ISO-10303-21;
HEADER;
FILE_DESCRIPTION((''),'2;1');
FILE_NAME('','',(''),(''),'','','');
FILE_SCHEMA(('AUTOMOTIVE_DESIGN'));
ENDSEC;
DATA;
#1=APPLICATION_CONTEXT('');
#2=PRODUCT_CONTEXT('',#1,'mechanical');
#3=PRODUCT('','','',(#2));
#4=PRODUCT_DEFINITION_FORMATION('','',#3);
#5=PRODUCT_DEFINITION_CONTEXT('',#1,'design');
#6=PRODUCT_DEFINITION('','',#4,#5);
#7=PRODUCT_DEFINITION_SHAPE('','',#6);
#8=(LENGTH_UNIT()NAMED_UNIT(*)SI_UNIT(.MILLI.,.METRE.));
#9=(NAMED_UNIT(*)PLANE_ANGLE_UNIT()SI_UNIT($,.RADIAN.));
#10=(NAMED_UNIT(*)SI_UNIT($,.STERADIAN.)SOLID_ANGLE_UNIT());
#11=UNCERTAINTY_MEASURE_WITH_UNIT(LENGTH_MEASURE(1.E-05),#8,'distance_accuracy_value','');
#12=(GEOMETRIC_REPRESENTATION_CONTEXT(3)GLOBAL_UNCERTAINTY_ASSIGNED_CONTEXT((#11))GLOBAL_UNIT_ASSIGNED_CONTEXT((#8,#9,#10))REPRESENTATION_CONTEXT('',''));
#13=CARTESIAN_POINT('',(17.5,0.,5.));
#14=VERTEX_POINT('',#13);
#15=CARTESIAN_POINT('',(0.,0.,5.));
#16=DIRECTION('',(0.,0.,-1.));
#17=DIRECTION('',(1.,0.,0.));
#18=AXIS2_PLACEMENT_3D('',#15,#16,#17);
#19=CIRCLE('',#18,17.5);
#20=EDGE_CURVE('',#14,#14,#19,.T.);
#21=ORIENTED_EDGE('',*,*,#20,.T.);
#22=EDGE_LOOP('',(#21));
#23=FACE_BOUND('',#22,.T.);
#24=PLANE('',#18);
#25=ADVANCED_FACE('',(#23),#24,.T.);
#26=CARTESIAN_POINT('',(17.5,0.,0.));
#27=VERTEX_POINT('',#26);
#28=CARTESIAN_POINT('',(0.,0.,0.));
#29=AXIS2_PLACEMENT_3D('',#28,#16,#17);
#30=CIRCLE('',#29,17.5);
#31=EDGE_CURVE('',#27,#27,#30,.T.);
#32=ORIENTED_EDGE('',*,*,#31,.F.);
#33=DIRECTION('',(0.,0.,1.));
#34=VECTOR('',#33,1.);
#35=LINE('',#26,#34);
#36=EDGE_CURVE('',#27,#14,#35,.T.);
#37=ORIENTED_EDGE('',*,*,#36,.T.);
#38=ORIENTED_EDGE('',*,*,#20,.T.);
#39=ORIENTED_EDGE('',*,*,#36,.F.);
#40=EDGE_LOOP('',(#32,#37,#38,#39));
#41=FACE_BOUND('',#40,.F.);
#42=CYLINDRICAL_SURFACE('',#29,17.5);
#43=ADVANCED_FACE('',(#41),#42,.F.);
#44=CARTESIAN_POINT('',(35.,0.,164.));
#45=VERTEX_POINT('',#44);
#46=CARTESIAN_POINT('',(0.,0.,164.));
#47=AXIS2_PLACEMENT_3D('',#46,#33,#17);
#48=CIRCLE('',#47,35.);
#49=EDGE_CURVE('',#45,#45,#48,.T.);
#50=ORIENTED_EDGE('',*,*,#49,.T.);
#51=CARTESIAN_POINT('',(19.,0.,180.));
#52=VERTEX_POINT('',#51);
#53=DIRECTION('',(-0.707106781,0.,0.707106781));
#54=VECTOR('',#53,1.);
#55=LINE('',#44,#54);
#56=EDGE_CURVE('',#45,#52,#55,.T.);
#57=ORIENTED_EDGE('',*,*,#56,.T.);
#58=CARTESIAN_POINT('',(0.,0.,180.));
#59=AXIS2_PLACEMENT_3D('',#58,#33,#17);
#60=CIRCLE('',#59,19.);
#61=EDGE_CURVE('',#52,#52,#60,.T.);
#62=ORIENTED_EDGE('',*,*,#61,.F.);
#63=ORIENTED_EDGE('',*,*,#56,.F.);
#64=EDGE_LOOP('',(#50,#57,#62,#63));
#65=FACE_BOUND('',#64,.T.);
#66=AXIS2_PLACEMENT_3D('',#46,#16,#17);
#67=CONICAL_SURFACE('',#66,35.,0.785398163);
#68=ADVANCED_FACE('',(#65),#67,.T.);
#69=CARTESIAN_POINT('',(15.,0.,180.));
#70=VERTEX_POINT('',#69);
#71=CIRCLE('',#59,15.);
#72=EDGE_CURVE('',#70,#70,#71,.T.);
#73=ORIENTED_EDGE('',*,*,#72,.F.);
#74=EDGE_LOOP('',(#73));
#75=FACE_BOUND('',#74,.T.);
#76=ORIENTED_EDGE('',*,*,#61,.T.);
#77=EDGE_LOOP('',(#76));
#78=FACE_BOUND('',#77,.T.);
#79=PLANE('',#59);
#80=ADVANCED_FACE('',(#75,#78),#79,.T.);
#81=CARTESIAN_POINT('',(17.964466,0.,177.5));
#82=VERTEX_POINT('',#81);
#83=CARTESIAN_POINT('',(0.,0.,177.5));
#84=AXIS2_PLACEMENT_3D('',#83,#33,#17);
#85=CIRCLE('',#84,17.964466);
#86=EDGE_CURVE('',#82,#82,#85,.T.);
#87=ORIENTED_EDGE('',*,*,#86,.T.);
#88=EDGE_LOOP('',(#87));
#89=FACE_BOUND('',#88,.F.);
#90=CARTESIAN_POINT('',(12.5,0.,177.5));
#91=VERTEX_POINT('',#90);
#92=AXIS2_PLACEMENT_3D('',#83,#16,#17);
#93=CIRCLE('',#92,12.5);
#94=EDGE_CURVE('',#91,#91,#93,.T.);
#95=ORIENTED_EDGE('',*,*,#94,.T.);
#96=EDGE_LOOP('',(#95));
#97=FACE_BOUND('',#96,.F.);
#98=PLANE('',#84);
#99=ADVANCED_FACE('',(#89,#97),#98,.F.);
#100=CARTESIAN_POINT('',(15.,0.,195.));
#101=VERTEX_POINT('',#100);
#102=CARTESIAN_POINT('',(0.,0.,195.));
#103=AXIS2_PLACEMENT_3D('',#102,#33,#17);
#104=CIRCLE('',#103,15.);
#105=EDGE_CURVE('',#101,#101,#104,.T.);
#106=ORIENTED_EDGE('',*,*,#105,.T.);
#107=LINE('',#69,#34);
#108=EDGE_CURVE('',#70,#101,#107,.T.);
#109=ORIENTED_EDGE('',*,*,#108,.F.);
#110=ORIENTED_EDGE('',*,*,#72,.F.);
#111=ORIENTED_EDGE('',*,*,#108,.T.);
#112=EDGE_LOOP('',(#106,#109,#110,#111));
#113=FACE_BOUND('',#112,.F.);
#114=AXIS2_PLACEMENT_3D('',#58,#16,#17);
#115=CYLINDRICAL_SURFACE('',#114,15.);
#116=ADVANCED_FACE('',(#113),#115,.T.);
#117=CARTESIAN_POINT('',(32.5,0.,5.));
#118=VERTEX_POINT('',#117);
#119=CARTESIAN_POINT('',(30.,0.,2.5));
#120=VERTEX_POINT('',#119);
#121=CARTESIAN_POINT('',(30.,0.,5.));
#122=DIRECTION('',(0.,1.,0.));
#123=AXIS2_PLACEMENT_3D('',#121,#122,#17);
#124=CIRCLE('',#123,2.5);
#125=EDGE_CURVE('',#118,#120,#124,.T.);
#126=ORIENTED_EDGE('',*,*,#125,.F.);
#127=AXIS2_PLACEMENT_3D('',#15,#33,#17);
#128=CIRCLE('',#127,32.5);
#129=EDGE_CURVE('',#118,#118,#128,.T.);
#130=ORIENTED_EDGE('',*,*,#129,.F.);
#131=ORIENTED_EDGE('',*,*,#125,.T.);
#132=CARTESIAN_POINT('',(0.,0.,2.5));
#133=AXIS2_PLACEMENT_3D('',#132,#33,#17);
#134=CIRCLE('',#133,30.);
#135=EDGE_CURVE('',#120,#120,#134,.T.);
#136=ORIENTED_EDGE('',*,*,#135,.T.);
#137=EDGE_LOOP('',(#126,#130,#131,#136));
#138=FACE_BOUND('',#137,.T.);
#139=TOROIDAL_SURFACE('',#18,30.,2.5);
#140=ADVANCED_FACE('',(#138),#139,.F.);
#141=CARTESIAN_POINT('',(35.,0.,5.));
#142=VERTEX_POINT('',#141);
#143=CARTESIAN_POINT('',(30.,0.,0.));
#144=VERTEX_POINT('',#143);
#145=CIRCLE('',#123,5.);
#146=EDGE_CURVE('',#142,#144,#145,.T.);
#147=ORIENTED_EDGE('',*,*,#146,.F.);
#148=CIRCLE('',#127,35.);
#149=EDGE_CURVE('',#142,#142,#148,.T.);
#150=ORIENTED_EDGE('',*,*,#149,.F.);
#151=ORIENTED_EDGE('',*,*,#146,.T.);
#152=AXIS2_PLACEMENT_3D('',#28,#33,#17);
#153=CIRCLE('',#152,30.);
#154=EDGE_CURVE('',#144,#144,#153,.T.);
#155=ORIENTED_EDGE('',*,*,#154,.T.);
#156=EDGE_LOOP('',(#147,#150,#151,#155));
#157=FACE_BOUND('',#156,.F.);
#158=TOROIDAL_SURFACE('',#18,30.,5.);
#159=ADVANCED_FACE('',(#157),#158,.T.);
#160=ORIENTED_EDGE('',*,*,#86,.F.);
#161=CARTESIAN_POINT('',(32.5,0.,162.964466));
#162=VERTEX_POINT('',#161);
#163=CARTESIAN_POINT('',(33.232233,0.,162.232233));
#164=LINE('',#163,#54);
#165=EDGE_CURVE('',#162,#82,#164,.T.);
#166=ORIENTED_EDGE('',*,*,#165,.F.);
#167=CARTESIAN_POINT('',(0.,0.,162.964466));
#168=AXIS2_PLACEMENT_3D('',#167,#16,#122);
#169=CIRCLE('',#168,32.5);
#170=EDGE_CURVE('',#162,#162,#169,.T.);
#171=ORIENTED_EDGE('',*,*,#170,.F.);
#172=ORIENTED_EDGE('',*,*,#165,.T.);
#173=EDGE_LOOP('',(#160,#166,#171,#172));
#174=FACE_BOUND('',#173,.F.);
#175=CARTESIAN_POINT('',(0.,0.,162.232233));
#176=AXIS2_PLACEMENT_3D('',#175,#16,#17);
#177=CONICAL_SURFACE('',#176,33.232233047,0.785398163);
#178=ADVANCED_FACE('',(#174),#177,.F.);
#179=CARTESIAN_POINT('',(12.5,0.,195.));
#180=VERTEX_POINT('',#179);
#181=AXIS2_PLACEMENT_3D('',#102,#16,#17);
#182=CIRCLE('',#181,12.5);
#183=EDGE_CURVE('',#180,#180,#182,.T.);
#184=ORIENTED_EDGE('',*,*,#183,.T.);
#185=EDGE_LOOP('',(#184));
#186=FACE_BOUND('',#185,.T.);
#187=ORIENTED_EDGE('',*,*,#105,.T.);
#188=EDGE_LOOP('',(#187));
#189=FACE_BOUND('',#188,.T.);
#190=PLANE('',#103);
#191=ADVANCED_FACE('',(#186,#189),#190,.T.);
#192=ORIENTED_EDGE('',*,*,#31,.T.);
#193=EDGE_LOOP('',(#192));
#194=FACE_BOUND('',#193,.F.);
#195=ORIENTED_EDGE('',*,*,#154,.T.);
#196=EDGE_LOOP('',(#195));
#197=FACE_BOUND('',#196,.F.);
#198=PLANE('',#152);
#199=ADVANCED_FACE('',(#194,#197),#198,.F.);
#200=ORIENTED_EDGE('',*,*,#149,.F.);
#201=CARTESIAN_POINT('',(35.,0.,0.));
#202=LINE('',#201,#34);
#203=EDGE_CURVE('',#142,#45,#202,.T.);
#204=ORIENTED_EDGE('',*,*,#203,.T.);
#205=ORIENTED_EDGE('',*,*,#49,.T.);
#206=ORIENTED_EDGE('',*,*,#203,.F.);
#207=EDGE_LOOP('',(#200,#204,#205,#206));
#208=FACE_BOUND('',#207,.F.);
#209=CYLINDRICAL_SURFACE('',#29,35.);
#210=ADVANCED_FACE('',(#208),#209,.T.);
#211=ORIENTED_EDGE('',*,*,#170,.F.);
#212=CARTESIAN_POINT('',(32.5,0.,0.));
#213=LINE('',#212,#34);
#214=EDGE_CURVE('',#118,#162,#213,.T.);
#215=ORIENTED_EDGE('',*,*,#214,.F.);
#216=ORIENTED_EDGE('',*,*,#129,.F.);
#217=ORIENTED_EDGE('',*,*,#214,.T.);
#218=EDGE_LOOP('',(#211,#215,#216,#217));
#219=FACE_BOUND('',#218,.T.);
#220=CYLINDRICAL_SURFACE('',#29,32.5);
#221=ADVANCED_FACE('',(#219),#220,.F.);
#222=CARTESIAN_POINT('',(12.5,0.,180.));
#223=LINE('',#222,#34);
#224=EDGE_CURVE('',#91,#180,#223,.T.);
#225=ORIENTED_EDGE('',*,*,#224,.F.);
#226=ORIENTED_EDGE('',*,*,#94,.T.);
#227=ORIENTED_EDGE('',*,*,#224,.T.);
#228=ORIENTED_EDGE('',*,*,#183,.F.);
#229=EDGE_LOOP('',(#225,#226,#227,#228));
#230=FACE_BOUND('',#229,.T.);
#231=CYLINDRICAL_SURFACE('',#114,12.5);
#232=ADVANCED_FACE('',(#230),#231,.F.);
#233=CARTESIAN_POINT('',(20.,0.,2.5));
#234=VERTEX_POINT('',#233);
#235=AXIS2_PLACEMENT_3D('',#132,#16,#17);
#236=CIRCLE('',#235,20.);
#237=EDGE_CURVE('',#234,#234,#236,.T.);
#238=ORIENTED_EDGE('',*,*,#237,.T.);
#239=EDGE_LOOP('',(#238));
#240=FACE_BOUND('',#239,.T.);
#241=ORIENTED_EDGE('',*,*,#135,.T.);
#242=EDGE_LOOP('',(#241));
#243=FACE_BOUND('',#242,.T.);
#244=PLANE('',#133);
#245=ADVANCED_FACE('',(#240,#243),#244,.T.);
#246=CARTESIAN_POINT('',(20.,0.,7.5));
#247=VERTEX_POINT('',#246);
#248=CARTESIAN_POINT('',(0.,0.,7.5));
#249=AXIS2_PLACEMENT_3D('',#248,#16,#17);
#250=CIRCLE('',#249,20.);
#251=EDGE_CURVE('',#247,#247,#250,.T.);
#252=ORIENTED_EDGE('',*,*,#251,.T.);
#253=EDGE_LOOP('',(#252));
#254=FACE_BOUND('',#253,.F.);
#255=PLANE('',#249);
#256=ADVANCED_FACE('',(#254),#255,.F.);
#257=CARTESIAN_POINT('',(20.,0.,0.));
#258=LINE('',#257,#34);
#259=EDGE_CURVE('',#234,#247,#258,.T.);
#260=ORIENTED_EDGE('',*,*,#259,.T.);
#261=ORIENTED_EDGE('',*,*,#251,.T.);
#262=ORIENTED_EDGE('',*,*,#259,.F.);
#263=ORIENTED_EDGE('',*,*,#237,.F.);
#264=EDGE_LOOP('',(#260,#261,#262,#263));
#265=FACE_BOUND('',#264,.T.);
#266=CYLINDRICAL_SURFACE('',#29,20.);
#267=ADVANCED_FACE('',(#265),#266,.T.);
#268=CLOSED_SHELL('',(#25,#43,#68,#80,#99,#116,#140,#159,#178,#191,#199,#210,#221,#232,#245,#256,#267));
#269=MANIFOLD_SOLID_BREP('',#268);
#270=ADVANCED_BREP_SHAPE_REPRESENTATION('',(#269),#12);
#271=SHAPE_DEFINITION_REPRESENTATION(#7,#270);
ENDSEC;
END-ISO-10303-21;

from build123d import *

# Parameters (mm, degrees)
F0_R     = 35
F1_DEPTH = 180
F2_R     = 15
F3_DEPTH = 15
F4_R     = 5
F5_SIZE  = 16
F6_R     = 17.5
F7_DEPTH = 5
F8_T     = -2.5


with BuildPart() as f1:
    # F0 (on Top) → F1 (new body)
    with BuildSketch(Plane.XY):
        Circle(F0_R)
    extrude(amount=F1_DEPTH)

    # F2 (on face) → F3 (join)
    with BuildSketch(Plane.XY.offset(180)):
        Circle(F2_R)
    extrude(amount=F3_DEPTH)

    # F4
    f4_edges = [f1.edges().sort_by_distance(p)[0] for p in [
        (-35, 0, 0),
    ]]
    fillet(f4_edges, radius=F4_R)

    # F5
    f5_edges = [f1.edges().sort_by_distance(p)[0] for p in [
        (-35, 0, 180),
    ]]
    chamfer(f5_edges, length=F5_SIZE)

    # F6 (on face) → F7 (cut)
    with BuildSketch(Plane(origin=(0, 0, 0), x_dir=(1, 0, 0), z_dir=(0, 0, -1))):
        Circle(F6_R)
    extrude(amount=-F7_DEPTH, mode=Mode.SUBTRACT)

    # F8
    f8_openings = [f1.faces().sort_by_distance(p)[0] for p in [
        (0, 0, 195),
    ]]
    offset(amount=F8_T, openings=f8_openings, kind=Kind.INTERSECTION)


solid = f1.part
